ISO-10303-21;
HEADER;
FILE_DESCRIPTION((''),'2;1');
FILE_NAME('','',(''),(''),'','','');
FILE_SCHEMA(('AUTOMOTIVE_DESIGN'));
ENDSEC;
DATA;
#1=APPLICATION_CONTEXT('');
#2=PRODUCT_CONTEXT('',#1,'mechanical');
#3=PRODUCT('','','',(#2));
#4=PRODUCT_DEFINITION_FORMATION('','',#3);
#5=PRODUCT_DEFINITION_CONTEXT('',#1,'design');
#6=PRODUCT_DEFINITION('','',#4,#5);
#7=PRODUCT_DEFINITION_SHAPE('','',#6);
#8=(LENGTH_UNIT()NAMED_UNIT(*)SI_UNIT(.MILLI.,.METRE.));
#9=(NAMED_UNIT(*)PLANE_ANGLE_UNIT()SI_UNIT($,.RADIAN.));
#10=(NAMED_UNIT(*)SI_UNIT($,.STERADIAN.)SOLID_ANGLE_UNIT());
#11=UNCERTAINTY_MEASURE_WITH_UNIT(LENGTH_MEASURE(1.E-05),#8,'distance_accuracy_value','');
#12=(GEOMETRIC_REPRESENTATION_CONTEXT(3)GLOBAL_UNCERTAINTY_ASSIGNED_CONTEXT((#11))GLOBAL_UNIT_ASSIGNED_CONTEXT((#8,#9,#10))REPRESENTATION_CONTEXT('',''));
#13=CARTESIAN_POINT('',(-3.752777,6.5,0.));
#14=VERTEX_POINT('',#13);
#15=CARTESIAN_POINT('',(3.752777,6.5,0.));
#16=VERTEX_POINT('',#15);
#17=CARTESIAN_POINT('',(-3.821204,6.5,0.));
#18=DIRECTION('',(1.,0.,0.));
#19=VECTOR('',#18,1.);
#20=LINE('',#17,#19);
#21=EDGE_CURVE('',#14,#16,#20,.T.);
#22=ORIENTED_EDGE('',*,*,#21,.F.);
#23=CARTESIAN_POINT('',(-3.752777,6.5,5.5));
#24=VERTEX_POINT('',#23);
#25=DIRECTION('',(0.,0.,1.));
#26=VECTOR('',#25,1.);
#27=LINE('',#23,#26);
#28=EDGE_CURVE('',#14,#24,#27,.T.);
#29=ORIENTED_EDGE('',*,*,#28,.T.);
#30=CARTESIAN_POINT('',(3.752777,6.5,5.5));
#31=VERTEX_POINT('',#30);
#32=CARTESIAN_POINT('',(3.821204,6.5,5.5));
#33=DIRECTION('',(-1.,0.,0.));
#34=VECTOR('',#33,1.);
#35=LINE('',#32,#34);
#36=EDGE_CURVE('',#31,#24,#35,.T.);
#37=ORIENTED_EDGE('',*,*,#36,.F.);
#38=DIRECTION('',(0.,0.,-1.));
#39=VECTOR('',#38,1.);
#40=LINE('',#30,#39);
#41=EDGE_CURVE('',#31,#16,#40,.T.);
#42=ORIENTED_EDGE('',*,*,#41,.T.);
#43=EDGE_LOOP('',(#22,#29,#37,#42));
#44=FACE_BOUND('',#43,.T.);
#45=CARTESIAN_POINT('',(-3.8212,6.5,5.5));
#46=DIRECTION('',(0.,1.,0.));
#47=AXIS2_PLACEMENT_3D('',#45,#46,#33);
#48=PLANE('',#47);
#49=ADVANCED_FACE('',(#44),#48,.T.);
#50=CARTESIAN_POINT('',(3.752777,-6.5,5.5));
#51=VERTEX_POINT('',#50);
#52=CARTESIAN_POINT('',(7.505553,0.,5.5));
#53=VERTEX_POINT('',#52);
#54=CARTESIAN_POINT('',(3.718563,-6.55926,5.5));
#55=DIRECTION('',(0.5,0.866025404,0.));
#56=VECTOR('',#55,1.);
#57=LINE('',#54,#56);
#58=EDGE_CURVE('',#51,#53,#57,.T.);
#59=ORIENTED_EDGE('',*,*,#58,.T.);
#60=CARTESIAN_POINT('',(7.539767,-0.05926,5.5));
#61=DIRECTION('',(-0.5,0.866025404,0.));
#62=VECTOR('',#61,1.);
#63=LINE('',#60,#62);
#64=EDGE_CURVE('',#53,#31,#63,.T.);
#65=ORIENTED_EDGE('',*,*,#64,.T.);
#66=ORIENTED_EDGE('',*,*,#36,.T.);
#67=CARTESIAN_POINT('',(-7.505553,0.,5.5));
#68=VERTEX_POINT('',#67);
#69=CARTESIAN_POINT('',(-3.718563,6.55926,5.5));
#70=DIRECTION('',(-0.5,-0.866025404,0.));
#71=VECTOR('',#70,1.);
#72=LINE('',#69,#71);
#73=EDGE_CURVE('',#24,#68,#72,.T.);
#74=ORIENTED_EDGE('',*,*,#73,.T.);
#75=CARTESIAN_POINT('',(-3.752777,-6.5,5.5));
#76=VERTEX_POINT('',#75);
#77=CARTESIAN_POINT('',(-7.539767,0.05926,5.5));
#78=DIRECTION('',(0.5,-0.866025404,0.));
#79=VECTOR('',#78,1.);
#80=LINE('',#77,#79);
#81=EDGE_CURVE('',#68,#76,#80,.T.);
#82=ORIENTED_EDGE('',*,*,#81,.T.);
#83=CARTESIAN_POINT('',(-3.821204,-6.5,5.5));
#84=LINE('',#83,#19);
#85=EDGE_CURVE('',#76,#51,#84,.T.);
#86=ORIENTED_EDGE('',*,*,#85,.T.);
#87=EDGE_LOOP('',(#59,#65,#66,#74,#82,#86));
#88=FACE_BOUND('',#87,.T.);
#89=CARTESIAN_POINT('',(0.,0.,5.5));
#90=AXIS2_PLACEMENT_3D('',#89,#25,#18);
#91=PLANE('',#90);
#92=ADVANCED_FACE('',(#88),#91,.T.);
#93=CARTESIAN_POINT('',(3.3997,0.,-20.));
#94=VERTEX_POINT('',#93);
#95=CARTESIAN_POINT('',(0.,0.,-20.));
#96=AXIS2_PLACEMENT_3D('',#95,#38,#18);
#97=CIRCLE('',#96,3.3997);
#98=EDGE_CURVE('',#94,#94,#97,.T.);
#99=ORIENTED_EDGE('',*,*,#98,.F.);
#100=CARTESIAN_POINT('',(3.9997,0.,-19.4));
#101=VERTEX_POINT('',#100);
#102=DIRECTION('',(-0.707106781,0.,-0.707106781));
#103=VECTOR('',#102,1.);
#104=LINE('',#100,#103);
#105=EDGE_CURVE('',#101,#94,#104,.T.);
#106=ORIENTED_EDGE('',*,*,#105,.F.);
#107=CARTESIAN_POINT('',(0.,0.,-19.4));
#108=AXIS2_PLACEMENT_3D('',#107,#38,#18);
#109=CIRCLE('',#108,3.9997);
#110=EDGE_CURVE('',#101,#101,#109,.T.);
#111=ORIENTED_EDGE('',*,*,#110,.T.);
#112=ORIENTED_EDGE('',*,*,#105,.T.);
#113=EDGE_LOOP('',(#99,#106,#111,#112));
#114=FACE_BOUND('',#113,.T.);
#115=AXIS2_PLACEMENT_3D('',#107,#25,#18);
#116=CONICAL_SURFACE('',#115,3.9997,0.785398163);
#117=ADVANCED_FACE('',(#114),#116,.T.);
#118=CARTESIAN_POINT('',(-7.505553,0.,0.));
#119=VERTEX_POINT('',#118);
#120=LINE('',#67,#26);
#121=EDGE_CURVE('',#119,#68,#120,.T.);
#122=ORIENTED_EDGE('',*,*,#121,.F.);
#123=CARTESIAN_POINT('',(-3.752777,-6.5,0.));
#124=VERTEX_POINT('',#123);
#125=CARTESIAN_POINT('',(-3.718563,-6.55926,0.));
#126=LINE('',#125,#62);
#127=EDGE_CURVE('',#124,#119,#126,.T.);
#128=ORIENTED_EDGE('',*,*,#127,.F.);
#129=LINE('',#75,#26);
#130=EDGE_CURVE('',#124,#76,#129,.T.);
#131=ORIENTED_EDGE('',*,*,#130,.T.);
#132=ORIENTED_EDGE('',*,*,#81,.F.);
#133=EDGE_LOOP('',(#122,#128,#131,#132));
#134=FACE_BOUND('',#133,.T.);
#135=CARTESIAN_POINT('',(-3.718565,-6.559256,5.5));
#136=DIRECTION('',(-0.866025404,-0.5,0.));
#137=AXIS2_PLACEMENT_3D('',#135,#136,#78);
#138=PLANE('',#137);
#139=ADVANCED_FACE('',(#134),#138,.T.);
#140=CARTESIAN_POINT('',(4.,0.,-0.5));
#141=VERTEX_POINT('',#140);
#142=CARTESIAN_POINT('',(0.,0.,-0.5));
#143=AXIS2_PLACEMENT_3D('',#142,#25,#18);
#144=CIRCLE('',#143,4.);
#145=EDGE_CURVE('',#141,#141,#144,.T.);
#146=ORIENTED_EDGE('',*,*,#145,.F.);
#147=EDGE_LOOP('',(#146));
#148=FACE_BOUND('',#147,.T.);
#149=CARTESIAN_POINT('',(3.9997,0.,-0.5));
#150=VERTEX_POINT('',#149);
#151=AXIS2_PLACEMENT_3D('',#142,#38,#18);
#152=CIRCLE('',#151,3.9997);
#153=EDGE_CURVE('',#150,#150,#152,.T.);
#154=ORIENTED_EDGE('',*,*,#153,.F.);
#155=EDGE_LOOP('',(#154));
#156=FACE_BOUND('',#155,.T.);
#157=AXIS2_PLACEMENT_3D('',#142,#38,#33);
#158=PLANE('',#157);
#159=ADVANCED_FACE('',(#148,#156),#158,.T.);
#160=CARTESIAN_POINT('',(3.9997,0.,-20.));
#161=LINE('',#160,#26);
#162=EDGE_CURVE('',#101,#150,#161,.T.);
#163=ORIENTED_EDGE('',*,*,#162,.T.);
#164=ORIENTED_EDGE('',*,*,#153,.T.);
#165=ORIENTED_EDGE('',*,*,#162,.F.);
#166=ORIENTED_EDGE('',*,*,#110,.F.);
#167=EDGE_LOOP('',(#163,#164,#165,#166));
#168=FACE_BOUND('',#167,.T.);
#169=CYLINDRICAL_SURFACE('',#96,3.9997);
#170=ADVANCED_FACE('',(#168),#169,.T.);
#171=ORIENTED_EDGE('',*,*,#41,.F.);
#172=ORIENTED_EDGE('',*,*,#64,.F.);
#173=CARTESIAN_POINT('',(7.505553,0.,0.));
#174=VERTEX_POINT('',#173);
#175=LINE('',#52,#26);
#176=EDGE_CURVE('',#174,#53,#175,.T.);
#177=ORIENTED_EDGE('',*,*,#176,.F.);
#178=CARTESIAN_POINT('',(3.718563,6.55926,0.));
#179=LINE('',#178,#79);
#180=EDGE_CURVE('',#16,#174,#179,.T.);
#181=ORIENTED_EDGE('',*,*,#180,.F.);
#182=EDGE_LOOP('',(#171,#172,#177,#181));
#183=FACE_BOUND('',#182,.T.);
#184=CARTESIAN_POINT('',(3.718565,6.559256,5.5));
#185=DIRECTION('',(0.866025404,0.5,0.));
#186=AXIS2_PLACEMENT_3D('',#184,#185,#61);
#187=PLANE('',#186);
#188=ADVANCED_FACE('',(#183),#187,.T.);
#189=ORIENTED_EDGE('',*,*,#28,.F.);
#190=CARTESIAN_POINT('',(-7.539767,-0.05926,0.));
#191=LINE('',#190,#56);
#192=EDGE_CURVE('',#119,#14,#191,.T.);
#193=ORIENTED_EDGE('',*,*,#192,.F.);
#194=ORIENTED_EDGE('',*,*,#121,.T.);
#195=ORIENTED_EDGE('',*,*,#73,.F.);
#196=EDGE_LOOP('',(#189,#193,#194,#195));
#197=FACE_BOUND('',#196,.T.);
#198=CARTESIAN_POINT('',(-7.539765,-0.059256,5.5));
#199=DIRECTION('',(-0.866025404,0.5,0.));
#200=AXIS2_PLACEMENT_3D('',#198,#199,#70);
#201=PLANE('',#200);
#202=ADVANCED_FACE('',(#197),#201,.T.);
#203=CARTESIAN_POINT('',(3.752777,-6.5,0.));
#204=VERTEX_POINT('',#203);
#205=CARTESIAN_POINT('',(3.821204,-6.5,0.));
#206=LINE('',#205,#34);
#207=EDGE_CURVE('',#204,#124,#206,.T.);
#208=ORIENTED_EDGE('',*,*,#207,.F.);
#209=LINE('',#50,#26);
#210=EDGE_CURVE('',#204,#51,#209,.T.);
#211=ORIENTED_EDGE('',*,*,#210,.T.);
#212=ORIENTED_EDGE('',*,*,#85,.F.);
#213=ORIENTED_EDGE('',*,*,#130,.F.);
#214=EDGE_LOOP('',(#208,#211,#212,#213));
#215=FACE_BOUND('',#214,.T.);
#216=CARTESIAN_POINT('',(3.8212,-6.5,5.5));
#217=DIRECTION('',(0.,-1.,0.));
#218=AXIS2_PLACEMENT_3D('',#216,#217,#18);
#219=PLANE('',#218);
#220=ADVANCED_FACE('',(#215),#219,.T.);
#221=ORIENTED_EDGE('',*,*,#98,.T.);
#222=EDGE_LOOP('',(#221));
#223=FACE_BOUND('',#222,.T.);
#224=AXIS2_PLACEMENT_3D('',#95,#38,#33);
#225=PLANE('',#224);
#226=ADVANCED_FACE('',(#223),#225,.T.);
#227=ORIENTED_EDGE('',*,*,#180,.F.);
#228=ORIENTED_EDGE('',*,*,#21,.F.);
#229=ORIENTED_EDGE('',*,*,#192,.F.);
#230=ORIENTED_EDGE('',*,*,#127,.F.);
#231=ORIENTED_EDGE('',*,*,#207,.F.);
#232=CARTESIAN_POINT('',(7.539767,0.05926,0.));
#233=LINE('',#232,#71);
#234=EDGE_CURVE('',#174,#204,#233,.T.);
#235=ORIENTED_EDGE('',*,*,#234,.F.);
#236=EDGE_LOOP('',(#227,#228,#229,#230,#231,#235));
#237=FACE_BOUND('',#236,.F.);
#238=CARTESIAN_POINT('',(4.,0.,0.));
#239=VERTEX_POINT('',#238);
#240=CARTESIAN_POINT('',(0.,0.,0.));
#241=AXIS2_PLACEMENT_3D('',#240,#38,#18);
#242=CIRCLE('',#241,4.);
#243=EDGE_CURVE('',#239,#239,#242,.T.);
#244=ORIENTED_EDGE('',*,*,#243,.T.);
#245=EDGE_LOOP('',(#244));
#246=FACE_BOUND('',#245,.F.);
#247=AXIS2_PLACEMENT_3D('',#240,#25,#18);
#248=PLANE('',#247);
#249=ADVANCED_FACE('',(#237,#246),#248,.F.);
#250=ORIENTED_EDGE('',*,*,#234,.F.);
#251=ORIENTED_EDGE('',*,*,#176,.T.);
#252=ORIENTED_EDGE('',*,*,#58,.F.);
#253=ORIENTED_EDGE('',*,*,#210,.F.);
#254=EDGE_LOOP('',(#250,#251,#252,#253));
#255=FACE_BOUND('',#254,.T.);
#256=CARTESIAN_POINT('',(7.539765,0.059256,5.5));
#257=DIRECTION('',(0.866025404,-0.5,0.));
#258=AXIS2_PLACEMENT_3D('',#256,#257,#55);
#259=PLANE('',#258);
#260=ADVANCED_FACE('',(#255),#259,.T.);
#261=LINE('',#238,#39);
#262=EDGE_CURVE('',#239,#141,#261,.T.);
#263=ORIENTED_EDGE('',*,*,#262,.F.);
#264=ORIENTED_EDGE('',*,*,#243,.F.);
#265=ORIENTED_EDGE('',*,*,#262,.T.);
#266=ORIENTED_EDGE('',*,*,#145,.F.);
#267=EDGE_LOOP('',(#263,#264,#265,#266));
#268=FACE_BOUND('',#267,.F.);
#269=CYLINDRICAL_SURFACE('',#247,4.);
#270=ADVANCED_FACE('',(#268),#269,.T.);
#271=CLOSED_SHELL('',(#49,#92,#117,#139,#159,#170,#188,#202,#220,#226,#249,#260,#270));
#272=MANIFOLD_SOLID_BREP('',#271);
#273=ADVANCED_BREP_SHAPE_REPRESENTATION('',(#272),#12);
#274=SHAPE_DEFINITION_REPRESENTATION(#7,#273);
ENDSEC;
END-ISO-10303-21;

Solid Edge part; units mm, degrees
sketch "Sketch1" plane through (0, 0, 0) normal (0, 0, 1) x (1, 0, 0)
  circle A0 centre (0, 0) radius 7.54
  dimension "D1" = 15.08
extrude "Protrusion1" add sketch "Sketch1" along normal blind 5.5
sketch "Sketch2" plane through (0, 0, 0) normal (0, 0, -1) x (1, 0, 0)
  circle A0 centre (0, 0) radius 4
extrude "Protrusion2" add sketch "Sketch2" along normal blind 20
sketch "Sketch3" plane through (0, 0, -20) normal (0, 0, -1) x (1, 0, 0)
  circle A0 centre (0, 0) radius 3.9997
extrude "Cutout1" cut sketch "Sketch3" against normal blind 19.5 flip side to cut
chamfer "Chamfer_1" distance 0.6 angle 45 1 edges at (-3.9997, 0, -20)
sketch "Sketch4" plane through (0, 0, 5.5) normal (0, 0, 1) x (1, 0, 0)
  line L0 (-3.8212, 6.5) -> (3.8212, 6.5)
  dimension "D1" = 13
extrude "Cutout2" cut sketch "Sketch4" against normal up to next material side at (0, 6.55, 5.5)
pattern_circular "Pattern1" count 6 over 360 about axis through (0, 0, 5.5) along (0, 0, 1) of "Cutout2"
properties part number "24101199"
